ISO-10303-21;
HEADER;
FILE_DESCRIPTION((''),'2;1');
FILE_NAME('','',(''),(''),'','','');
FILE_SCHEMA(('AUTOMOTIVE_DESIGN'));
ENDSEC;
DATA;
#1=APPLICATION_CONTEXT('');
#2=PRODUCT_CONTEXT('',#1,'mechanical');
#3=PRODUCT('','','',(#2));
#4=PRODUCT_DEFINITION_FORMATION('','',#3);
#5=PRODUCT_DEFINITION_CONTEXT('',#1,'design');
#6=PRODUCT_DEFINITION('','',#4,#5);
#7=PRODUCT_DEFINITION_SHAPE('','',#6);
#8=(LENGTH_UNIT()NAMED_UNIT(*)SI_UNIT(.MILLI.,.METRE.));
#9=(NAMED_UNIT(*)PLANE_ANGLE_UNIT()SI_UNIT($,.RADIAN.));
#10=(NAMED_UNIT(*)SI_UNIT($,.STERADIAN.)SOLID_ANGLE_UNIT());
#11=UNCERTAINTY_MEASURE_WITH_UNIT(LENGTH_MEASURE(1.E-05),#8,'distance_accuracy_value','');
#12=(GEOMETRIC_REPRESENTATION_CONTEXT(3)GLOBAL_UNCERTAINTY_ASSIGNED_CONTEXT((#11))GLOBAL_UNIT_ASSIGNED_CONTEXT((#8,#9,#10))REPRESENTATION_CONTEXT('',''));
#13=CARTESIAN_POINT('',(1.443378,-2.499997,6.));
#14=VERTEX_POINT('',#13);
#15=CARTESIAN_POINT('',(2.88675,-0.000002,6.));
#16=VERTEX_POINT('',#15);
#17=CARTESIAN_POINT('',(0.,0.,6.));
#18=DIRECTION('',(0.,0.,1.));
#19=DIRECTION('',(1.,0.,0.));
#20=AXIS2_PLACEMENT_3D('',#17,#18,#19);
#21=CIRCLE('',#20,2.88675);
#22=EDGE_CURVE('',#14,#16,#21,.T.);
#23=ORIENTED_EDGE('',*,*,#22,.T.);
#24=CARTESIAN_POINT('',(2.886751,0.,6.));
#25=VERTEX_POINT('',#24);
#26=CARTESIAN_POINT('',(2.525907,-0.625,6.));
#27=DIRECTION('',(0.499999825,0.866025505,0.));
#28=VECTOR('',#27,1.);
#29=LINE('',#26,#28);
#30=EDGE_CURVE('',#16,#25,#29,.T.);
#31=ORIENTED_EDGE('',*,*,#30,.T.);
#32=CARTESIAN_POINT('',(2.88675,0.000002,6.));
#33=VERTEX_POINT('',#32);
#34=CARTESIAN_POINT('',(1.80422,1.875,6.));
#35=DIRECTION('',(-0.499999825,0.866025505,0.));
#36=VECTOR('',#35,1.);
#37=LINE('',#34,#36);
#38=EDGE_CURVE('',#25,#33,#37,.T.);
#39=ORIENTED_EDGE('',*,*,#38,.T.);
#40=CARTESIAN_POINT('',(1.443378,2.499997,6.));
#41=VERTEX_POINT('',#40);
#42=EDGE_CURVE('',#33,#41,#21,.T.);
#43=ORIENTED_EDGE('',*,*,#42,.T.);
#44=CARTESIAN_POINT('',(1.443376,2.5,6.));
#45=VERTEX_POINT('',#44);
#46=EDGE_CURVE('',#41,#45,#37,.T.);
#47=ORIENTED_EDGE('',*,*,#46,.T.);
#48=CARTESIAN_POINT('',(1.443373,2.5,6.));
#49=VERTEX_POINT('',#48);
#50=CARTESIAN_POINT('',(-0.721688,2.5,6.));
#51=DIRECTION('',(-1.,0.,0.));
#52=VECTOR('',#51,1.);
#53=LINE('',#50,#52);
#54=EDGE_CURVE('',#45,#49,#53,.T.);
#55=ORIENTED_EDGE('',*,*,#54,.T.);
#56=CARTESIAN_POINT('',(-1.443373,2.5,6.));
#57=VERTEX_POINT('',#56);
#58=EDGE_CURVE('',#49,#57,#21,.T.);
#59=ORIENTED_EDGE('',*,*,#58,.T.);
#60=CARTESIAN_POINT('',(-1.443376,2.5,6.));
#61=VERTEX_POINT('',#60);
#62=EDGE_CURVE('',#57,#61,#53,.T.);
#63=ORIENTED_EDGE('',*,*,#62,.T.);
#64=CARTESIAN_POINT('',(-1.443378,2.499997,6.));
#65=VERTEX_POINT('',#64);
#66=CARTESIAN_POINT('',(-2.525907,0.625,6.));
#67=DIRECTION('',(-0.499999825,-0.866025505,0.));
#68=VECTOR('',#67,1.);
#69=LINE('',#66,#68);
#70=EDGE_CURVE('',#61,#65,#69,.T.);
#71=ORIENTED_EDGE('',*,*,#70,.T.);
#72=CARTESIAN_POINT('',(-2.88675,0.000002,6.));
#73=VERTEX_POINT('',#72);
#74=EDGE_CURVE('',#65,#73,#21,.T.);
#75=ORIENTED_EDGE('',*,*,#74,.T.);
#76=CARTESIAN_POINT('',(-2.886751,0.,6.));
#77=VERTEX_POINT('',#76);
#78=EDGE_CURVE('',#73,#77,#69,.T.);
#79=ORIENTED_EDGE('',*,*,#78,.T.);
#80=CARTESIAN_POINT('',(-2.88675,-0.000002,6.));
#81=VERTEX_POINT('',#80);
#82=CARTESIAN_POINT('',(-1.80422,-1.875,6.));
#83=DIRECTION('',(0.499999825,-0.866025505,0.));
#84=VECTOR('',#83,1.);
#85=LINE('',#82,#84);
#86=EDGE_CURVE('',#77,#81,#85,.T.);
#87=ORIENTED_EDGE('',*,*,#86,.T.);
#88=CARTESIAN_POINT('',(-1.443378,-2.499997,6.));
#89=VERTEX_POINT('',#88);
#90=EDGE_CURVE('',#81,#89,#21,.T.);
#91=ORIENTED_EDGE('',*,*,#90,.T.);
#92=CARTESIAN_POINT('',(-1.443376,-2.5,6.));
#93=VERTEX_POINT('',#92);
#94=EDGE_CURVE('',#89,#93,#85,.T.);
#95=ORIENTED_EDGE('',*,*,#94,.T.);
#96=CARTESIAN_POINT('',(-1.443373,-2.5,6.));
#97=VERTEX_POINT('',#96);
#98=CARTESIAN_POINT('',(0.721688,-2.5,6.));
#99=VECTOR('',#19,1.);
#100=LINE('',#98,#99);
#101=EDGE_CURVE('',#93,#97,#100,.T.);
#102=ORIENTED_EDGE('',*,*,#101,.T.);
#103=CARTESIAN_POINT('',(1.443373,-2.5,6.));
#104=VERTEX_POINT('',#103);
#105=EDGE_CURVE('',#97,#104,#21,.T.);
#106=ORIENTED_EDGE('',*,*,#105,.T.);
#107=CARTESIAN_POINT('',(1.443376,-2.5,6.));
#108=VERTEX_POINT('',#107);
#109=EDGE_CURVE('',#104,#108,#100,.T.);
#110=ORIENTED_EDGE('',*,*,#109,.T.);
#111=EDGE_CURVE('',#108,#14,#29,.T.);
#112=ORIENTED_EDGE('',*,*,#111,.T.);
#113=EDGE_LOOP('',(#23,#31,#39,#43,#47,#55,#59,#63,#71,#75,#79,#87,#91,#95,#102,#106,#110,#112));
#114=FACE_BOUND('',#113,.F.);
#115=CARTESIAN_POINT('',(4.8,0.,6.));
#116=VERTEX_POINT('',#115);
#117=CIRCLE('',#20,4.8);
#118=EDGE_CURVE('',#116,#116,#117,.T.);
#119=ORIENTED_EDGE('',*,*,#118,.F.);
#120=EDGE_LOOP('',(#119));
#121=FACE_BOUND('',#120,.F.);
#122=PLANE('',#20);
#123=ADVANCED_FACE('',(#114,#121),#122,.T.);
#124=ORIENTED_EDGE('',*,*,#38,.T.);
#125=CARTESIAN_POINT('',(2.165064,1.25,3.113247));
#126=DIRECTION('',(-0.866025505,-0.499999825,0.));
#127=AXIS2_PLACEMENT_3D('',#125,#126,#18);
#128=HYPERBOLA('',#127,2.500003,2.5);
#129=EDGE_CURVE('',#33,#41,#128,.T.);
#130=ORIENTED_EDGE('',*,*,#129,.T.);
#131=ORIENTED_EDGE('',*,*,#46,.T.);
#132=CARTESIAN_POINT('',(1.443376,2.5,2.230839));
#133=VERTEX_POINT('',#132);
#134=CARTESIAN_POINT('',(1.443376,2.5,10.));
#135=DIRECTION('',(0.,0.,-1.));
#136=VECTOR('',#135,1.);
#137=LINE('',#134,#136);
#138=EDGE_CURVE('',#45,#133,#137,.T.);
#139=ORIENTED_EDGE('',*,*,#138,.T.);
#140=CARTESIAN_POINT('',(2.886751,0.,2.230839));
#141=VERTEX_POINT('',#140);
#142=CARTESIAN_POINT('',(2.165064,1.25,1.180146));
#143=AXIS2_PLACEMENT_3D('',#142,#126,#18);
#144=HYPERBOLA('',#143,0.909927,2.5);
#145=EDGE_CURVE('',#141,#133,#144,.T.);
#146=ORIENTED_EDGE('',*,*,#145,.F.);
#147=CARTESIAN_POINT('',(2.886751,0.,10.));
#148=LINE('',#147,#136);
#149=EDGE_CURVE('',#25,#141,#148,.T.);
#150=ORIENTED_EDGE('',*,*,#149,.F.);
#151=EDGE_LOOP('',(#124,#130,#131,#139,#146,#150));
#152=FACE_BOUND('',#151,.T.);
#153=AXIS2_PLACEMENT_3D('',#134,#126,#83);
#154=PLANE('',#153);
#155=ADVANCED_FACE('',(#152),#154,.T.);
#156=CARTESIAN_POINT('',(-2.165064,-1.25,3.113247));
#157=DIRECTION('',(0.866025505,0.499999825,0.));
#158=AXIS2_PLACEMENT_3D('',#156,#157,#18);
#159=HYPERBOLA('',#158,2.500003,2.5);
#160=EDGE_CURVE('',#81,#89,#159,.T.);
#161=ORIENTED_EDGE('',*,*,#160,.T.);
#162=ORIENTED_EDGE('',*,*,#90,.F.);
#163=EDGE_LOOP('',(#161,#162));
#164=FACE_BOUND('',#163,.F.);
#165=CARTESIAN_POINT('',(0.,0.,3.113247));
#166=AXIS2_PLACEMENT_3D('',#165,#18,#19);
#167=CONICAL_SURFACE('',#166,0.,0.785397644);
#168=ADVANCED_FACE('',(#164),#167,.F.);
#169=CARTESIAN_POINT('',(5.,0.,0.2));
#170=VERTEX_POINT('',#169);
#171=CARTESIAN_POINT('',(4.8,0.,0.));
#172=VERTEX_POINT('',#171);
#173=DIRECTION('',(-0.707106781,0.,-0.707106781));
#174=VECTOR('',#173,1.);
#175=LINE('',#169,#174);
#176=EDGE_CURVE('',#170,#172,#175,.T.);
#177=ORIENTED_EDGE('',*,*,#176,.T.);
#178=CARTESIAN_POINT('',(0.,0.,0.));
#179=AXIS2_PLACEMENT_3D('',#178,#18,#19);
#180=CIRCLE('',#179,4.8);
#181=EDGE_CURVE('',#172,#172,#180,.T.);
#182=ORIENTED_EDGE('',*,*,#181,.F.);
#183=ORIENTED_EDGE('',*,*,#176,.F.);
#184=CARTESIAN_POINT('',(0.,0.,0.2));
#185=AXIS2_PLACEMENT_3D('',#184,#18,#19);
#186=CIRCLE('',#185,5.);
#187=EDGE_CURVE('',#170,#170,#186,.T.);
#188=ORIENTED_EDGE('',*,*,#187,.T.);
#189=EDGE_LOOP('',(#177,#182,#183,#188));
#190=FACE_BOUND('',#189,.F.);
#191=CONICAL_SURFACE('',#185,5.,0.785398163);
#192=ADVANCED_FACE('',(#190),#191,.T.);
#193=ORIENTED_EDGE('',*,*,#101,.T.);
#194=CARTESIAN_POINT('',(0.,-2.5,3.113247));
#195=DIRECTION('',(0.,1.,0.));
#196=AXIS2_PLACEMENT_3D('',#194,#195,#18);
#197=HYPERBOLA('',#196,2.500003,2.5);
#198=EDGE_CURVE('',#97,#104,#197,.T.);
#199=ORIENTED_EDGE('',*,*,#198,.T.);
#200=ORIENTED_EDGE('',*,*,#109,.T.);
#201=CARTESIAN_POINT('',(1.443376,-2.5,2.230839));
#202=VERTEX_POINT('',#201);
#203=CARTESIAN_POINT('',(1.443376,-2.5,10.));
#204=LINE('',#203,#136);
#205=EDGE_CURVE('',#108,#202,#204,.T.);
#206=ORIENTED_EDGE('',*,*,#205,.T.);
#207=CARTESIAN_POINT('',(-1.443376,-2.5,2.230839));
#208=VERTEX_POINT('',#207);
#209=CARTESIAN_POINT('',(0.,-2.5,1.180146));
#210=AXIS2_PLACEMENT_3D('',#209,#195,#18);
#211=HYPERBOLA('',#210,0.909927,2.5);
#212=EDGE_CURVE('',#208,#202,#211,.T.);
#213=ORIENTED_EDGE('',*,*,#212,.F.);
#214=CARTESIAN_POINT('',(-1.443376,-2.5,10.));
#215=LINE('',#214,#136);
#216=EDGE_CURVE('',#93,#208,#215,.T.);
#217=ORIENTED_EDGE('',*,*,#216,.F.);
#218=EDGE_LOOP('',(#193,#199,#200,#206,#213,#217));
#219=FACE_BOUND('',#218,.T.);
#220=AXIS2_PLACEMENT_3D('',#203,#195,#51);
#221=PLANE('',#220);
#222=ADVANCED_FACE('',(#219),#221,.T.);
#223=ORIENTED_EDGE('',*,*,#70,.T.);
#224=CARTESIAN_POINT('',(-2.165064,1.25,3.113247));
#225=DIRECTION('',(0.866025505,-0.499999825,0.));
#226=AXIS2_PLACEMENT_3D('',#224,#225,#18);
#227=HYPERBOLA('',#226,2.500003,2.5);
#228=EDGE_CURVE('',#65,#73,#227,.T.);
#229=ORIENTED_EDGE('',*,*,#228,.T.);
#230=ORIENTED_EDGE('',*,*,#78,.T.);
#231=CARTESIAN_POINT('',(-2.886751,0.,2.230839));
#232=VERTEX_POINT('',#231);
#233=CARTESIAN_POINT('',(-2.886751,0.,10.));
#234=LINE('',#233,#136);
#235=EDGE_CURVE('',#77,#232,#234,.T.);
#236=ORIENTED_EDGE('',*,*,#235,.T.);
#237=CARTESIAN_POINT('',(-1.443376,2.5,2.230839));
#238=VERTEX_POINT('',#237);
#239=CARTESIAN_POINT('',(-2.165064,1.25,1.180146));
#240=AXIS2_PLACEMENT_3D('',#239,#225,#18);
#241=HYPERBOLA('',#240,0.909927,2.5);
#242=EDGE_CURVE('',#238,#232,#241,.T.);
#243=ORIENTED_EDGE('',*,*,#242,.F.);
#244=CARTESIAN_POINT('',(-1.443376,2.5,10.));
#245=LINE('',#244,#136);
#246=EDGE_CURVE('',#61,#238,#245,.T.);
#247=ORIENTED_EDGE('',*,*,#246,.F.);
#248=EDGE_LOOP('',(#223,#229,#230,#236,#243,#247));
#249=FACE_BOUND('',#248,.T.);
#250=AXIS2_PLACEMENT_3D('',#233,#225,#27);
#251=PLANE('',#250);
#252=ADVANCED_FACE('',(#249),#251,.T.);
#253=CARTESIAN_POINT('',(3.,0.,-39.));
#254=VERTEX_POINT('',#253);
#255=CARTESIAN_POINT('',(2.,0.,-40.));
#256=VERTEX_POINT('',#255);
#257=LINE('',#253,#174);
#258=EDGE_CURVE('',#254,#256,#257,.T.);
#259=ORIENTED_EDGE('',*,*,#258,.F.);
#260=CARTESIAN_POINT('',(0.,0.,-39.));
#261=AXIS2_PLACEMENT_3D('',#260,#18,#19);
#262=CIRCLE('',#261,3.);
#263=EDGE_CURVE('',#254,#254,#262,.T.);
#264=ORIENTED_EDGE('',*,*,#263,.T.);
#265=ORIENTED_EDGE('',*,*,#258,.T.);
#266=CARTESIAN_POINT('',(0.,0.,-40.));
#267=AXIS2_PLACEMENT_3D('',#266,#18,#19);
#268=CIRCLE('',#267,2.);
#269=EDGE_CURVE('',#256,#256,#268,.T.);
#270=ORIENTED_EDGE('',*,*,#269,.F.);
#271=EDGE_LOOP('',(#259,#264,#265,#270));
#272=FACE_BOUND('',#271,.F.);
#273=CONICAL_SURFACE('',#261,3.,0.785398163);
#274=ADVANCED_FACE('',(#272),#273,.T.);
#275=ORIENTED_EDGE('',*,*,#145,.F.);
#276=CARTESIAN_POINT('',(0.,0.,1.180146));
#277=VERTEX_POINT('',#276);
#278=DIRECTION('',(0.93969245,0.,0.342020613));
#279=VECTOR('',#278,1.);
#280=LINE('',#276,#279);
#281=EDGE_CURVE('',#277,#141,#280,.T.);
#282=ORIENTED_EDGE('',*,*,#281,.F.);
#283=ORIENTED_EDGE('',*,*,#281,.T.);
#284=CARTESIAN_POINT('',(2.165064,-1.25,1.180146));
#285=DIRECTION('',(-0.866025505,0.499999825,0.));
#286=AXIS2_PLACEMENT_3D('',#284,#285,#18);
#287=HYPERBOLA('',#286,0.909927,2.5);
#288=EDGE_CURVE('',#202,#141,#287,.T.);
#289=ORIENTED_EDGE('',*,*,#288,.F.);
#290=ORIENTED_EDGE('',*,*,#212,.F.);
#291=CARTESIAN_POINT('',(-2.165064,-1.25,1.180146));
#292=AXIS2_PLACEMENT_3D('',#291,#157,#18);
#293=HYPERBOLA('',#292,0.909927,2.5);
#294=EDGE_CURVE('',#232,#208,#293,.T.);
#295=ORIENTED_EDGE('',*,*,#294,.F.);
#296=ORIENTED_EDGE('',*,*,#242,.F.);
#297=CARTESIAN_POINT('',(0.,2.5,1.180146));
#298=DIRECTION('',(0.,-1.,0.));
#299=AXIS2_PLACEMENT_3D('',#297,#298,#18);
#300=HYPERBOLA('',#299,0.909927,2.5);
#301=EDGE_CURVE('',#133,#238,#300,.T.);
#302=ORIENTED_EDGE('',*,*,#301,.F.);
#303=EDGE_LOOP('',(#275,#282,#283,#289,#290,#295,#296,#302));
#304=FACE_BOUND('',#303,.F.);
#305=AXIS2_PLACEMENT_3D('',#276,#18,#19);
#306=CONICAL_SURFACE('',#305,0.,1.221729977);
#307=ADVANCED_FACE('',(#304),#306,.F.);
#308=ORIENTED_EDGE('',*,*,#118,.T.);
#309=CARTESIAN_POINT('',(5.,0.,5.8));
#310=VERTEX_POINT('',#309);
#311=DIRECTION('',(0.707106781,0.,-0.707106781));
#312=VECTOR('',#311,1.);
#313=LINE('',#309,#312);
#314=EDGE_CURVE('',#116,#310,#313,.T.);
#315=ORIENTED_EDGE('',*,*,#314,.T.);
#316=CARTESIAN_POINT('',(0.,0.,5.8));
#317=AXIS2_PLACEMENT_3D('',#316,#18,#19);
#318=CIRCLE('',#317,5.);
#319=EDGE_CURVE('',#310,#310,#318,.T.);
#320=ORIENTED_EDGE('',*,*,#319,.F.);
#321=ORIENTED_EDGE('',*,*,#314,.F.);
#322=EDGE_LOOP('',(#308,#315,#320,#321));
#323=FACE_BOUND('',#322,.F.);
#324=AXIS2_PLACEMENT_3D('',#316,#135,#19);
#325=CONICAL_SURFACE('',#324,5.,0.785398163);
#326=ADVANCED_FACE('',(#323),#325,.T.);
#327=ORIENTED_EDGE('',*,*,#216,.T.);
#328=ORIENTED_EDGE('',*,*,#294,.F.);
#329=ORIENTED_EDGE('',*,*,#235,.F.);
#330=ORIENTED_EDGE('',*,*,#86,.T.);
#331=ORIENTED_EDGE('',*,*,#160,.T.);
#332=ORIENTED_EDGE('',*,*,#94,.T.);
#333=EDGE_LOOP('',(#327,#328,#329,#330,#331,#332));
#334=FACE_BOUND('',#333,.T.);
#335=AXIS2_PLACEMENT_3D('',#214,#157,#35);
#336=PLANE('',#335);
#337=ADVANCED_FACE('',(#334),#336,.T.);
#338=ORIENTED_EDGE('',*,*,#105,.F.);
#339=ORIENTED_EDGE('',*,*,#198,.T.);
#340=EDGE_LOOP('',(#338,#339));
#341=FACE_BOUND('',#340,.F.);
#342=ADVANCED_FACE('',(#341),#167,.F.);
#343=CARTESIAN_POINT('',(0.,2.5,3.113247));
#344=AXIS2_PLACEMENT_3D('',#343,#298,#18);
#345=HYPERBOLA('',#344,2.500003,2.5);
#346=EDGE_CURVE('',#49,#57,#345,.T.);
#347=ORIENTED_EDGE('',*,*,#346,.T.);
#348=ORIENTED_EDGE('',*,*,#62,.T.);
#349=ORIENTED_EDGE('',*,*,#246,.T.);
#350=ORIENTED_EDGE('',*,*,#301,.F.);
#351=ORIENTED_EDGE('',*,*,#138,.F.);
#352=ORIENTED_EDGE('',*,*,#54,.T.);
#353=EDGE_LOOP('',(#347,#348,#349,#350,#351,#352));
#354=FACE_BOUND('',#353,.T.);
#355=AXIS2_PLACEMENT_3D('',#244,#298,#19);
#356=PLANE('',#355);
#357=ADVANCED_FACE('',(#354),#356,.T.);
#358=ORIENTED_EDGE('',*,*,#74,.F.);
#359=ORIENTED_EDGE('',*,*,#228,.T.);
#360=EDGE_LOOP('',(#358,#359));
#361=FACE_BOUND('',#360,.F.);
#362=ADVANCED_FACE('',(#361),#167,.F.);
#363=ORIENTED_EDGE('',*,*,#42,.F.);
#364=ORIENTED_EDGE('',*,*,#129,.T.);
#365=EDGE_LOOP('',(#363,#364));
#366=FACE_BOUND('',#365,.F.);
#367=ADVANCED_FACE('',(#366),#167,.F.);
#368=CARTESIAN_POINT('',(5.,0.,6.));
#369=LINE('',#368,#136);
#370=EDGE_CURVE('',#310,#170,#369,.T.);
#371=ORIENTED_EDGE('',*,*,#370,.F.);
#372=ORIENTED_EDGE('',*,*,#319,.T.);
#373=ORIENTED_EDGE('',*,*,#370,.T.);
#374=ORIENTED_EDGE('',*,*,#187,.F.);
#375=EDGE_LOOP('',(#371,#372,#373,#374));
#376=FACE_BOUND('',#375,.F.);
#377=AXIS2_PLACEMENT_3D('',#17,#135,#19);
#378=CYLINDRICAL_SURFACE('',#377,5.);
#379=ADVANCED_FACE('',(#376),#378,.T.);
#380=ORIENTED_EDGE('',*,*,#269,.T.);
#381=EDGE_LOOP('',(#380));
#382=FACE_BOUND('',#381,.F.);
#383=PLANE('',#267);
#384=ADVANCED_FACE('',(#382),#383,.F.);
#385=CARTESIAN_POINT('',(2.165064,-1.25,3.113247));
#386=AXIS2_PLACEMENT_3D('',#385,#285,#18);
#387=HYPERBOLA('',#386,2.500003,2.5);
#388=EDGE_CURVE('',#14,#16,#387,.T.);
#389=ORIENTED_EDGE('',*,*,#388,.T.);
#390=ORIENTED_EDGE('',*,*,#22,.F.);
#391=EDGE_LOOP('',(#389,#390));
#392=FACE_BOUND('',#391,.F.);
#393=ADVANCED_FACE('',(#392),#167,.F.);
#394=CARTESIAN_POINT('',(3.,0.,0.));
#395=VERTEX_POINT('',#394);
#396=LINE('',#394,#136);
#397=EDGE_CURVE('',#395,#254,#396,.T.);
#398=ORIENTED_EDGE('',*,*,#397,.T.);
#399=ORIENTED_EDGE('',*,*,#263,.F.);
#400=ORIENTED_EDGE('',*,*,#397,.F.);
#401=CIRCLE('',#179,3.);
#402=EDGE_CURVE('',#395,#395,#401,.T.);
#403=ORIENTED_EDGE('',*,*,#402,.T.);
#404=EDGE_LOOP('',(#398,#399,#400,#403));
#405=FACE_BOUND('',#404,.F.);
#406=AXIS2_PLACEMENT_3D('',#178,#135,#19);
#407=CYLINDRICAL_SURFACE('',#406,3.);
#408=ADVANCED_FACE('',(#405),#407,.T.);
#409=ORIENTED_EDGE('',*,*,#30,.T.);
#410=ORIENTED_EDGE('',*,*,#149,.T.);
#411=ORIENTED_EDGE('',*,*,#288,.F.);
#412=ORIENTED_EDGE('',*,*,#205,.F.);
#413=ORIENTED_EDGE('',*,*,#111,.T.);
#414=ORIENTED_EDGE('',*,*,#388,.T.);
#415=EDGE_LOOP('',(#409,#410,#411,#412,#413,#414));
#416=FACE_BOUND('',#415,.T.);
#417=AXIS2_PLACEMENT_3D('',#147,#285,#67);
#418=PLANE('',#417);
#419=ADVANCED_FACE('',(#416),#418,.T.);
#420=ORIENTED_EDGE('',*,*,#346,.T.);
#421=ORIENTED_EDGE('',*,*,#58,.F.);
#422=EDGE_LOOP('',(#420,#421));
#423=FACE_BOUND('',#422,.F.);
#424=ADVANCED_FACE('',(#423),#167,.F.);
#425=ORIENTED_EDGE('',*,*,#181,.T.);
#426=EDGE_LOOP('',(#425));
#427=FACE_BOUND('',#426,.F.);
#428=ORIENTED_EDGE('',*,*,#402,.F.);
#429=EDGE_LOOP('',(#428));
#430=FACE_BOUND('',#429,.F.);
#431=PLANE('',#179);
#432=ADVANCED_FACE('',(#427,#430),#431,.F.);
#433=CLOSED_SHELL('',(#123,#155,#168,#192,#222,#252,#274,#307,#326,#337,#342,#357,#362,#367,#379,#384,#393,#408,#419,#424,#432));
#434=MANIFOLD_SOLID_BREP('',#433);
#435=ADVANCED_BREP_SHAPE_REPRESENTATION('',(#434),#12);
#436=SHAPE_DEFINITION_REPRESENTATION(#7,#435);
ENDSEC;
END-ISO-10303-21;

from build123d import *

# Parameters (mm, degrees)
SKETCH001_R     = 6
POCKET_DEPTH    = 8.820854
CHAMFER_SIZE    = 0.2
CHAMFER001_SIZE = 1


with BuildPart() as pocket:
    # Sketch003 → Revolution001 (revolve)
    with BuildSketch(Plane.XZ):
        Polygon((0, 1.180146), (5, 3), (5, 10), (0, 10), align=None)
    revolve(axis=Axis((0, 0, 0), (0, 0, 1)))

    # Sketch001 → Pocket (cut, through all)
    with BuildSketch(Plane(origin=(0, 0, 10), x_dir=(-1, 0, 0), z_dir=(0, 0, 1))):
        Circle(SKETCH001_R)
        Polygon((-1.443376, 2.5), (1.443376, 2.5), (2.886751, 0), (1.443376, -2.5), (-1.443376, -2.5), (-2.886751, 0), align=None, mode=Mode.SUBTRACT)
    extrude(amount=-POCKET_DEPTH, mode=Mode.SUBTRACT)


with BuildPart() as chamfer001:
    # Sketch → Revolution (revolve)
    with BuildSketch(Plane.XZ):
        Polygon((2.88675, 6), (5, 6), (5, 0), (3, 0), (3, -40), (0, -40), (0, 3.113247), align=None)
    revolve(axis=Axis((0, 0, 0), (0, 0, 1)))

    # Cut: cut Pocket
    add(pocket.part, mode=Mode.SUBTRACT)

    # Chamfer
    chamfer_edges = [chamfer001.edges().sort_by_distance(p)[0] for p in [
        (-5, 0, 6),
        (-5, 0, 0),
    ]]
    chamfer(chamfer_edges, length=CHAMFER_SIZE)

    # Chamfer001
    chamfer001_edges = [chamfer001.edges().sort_by_distance(p)[0] for p in [
        (-3, 0, -40),
    ]]
    chamfer(chamfer001_edges, length=CHAMFER001_SIZE)


solid = chamfer001.part
